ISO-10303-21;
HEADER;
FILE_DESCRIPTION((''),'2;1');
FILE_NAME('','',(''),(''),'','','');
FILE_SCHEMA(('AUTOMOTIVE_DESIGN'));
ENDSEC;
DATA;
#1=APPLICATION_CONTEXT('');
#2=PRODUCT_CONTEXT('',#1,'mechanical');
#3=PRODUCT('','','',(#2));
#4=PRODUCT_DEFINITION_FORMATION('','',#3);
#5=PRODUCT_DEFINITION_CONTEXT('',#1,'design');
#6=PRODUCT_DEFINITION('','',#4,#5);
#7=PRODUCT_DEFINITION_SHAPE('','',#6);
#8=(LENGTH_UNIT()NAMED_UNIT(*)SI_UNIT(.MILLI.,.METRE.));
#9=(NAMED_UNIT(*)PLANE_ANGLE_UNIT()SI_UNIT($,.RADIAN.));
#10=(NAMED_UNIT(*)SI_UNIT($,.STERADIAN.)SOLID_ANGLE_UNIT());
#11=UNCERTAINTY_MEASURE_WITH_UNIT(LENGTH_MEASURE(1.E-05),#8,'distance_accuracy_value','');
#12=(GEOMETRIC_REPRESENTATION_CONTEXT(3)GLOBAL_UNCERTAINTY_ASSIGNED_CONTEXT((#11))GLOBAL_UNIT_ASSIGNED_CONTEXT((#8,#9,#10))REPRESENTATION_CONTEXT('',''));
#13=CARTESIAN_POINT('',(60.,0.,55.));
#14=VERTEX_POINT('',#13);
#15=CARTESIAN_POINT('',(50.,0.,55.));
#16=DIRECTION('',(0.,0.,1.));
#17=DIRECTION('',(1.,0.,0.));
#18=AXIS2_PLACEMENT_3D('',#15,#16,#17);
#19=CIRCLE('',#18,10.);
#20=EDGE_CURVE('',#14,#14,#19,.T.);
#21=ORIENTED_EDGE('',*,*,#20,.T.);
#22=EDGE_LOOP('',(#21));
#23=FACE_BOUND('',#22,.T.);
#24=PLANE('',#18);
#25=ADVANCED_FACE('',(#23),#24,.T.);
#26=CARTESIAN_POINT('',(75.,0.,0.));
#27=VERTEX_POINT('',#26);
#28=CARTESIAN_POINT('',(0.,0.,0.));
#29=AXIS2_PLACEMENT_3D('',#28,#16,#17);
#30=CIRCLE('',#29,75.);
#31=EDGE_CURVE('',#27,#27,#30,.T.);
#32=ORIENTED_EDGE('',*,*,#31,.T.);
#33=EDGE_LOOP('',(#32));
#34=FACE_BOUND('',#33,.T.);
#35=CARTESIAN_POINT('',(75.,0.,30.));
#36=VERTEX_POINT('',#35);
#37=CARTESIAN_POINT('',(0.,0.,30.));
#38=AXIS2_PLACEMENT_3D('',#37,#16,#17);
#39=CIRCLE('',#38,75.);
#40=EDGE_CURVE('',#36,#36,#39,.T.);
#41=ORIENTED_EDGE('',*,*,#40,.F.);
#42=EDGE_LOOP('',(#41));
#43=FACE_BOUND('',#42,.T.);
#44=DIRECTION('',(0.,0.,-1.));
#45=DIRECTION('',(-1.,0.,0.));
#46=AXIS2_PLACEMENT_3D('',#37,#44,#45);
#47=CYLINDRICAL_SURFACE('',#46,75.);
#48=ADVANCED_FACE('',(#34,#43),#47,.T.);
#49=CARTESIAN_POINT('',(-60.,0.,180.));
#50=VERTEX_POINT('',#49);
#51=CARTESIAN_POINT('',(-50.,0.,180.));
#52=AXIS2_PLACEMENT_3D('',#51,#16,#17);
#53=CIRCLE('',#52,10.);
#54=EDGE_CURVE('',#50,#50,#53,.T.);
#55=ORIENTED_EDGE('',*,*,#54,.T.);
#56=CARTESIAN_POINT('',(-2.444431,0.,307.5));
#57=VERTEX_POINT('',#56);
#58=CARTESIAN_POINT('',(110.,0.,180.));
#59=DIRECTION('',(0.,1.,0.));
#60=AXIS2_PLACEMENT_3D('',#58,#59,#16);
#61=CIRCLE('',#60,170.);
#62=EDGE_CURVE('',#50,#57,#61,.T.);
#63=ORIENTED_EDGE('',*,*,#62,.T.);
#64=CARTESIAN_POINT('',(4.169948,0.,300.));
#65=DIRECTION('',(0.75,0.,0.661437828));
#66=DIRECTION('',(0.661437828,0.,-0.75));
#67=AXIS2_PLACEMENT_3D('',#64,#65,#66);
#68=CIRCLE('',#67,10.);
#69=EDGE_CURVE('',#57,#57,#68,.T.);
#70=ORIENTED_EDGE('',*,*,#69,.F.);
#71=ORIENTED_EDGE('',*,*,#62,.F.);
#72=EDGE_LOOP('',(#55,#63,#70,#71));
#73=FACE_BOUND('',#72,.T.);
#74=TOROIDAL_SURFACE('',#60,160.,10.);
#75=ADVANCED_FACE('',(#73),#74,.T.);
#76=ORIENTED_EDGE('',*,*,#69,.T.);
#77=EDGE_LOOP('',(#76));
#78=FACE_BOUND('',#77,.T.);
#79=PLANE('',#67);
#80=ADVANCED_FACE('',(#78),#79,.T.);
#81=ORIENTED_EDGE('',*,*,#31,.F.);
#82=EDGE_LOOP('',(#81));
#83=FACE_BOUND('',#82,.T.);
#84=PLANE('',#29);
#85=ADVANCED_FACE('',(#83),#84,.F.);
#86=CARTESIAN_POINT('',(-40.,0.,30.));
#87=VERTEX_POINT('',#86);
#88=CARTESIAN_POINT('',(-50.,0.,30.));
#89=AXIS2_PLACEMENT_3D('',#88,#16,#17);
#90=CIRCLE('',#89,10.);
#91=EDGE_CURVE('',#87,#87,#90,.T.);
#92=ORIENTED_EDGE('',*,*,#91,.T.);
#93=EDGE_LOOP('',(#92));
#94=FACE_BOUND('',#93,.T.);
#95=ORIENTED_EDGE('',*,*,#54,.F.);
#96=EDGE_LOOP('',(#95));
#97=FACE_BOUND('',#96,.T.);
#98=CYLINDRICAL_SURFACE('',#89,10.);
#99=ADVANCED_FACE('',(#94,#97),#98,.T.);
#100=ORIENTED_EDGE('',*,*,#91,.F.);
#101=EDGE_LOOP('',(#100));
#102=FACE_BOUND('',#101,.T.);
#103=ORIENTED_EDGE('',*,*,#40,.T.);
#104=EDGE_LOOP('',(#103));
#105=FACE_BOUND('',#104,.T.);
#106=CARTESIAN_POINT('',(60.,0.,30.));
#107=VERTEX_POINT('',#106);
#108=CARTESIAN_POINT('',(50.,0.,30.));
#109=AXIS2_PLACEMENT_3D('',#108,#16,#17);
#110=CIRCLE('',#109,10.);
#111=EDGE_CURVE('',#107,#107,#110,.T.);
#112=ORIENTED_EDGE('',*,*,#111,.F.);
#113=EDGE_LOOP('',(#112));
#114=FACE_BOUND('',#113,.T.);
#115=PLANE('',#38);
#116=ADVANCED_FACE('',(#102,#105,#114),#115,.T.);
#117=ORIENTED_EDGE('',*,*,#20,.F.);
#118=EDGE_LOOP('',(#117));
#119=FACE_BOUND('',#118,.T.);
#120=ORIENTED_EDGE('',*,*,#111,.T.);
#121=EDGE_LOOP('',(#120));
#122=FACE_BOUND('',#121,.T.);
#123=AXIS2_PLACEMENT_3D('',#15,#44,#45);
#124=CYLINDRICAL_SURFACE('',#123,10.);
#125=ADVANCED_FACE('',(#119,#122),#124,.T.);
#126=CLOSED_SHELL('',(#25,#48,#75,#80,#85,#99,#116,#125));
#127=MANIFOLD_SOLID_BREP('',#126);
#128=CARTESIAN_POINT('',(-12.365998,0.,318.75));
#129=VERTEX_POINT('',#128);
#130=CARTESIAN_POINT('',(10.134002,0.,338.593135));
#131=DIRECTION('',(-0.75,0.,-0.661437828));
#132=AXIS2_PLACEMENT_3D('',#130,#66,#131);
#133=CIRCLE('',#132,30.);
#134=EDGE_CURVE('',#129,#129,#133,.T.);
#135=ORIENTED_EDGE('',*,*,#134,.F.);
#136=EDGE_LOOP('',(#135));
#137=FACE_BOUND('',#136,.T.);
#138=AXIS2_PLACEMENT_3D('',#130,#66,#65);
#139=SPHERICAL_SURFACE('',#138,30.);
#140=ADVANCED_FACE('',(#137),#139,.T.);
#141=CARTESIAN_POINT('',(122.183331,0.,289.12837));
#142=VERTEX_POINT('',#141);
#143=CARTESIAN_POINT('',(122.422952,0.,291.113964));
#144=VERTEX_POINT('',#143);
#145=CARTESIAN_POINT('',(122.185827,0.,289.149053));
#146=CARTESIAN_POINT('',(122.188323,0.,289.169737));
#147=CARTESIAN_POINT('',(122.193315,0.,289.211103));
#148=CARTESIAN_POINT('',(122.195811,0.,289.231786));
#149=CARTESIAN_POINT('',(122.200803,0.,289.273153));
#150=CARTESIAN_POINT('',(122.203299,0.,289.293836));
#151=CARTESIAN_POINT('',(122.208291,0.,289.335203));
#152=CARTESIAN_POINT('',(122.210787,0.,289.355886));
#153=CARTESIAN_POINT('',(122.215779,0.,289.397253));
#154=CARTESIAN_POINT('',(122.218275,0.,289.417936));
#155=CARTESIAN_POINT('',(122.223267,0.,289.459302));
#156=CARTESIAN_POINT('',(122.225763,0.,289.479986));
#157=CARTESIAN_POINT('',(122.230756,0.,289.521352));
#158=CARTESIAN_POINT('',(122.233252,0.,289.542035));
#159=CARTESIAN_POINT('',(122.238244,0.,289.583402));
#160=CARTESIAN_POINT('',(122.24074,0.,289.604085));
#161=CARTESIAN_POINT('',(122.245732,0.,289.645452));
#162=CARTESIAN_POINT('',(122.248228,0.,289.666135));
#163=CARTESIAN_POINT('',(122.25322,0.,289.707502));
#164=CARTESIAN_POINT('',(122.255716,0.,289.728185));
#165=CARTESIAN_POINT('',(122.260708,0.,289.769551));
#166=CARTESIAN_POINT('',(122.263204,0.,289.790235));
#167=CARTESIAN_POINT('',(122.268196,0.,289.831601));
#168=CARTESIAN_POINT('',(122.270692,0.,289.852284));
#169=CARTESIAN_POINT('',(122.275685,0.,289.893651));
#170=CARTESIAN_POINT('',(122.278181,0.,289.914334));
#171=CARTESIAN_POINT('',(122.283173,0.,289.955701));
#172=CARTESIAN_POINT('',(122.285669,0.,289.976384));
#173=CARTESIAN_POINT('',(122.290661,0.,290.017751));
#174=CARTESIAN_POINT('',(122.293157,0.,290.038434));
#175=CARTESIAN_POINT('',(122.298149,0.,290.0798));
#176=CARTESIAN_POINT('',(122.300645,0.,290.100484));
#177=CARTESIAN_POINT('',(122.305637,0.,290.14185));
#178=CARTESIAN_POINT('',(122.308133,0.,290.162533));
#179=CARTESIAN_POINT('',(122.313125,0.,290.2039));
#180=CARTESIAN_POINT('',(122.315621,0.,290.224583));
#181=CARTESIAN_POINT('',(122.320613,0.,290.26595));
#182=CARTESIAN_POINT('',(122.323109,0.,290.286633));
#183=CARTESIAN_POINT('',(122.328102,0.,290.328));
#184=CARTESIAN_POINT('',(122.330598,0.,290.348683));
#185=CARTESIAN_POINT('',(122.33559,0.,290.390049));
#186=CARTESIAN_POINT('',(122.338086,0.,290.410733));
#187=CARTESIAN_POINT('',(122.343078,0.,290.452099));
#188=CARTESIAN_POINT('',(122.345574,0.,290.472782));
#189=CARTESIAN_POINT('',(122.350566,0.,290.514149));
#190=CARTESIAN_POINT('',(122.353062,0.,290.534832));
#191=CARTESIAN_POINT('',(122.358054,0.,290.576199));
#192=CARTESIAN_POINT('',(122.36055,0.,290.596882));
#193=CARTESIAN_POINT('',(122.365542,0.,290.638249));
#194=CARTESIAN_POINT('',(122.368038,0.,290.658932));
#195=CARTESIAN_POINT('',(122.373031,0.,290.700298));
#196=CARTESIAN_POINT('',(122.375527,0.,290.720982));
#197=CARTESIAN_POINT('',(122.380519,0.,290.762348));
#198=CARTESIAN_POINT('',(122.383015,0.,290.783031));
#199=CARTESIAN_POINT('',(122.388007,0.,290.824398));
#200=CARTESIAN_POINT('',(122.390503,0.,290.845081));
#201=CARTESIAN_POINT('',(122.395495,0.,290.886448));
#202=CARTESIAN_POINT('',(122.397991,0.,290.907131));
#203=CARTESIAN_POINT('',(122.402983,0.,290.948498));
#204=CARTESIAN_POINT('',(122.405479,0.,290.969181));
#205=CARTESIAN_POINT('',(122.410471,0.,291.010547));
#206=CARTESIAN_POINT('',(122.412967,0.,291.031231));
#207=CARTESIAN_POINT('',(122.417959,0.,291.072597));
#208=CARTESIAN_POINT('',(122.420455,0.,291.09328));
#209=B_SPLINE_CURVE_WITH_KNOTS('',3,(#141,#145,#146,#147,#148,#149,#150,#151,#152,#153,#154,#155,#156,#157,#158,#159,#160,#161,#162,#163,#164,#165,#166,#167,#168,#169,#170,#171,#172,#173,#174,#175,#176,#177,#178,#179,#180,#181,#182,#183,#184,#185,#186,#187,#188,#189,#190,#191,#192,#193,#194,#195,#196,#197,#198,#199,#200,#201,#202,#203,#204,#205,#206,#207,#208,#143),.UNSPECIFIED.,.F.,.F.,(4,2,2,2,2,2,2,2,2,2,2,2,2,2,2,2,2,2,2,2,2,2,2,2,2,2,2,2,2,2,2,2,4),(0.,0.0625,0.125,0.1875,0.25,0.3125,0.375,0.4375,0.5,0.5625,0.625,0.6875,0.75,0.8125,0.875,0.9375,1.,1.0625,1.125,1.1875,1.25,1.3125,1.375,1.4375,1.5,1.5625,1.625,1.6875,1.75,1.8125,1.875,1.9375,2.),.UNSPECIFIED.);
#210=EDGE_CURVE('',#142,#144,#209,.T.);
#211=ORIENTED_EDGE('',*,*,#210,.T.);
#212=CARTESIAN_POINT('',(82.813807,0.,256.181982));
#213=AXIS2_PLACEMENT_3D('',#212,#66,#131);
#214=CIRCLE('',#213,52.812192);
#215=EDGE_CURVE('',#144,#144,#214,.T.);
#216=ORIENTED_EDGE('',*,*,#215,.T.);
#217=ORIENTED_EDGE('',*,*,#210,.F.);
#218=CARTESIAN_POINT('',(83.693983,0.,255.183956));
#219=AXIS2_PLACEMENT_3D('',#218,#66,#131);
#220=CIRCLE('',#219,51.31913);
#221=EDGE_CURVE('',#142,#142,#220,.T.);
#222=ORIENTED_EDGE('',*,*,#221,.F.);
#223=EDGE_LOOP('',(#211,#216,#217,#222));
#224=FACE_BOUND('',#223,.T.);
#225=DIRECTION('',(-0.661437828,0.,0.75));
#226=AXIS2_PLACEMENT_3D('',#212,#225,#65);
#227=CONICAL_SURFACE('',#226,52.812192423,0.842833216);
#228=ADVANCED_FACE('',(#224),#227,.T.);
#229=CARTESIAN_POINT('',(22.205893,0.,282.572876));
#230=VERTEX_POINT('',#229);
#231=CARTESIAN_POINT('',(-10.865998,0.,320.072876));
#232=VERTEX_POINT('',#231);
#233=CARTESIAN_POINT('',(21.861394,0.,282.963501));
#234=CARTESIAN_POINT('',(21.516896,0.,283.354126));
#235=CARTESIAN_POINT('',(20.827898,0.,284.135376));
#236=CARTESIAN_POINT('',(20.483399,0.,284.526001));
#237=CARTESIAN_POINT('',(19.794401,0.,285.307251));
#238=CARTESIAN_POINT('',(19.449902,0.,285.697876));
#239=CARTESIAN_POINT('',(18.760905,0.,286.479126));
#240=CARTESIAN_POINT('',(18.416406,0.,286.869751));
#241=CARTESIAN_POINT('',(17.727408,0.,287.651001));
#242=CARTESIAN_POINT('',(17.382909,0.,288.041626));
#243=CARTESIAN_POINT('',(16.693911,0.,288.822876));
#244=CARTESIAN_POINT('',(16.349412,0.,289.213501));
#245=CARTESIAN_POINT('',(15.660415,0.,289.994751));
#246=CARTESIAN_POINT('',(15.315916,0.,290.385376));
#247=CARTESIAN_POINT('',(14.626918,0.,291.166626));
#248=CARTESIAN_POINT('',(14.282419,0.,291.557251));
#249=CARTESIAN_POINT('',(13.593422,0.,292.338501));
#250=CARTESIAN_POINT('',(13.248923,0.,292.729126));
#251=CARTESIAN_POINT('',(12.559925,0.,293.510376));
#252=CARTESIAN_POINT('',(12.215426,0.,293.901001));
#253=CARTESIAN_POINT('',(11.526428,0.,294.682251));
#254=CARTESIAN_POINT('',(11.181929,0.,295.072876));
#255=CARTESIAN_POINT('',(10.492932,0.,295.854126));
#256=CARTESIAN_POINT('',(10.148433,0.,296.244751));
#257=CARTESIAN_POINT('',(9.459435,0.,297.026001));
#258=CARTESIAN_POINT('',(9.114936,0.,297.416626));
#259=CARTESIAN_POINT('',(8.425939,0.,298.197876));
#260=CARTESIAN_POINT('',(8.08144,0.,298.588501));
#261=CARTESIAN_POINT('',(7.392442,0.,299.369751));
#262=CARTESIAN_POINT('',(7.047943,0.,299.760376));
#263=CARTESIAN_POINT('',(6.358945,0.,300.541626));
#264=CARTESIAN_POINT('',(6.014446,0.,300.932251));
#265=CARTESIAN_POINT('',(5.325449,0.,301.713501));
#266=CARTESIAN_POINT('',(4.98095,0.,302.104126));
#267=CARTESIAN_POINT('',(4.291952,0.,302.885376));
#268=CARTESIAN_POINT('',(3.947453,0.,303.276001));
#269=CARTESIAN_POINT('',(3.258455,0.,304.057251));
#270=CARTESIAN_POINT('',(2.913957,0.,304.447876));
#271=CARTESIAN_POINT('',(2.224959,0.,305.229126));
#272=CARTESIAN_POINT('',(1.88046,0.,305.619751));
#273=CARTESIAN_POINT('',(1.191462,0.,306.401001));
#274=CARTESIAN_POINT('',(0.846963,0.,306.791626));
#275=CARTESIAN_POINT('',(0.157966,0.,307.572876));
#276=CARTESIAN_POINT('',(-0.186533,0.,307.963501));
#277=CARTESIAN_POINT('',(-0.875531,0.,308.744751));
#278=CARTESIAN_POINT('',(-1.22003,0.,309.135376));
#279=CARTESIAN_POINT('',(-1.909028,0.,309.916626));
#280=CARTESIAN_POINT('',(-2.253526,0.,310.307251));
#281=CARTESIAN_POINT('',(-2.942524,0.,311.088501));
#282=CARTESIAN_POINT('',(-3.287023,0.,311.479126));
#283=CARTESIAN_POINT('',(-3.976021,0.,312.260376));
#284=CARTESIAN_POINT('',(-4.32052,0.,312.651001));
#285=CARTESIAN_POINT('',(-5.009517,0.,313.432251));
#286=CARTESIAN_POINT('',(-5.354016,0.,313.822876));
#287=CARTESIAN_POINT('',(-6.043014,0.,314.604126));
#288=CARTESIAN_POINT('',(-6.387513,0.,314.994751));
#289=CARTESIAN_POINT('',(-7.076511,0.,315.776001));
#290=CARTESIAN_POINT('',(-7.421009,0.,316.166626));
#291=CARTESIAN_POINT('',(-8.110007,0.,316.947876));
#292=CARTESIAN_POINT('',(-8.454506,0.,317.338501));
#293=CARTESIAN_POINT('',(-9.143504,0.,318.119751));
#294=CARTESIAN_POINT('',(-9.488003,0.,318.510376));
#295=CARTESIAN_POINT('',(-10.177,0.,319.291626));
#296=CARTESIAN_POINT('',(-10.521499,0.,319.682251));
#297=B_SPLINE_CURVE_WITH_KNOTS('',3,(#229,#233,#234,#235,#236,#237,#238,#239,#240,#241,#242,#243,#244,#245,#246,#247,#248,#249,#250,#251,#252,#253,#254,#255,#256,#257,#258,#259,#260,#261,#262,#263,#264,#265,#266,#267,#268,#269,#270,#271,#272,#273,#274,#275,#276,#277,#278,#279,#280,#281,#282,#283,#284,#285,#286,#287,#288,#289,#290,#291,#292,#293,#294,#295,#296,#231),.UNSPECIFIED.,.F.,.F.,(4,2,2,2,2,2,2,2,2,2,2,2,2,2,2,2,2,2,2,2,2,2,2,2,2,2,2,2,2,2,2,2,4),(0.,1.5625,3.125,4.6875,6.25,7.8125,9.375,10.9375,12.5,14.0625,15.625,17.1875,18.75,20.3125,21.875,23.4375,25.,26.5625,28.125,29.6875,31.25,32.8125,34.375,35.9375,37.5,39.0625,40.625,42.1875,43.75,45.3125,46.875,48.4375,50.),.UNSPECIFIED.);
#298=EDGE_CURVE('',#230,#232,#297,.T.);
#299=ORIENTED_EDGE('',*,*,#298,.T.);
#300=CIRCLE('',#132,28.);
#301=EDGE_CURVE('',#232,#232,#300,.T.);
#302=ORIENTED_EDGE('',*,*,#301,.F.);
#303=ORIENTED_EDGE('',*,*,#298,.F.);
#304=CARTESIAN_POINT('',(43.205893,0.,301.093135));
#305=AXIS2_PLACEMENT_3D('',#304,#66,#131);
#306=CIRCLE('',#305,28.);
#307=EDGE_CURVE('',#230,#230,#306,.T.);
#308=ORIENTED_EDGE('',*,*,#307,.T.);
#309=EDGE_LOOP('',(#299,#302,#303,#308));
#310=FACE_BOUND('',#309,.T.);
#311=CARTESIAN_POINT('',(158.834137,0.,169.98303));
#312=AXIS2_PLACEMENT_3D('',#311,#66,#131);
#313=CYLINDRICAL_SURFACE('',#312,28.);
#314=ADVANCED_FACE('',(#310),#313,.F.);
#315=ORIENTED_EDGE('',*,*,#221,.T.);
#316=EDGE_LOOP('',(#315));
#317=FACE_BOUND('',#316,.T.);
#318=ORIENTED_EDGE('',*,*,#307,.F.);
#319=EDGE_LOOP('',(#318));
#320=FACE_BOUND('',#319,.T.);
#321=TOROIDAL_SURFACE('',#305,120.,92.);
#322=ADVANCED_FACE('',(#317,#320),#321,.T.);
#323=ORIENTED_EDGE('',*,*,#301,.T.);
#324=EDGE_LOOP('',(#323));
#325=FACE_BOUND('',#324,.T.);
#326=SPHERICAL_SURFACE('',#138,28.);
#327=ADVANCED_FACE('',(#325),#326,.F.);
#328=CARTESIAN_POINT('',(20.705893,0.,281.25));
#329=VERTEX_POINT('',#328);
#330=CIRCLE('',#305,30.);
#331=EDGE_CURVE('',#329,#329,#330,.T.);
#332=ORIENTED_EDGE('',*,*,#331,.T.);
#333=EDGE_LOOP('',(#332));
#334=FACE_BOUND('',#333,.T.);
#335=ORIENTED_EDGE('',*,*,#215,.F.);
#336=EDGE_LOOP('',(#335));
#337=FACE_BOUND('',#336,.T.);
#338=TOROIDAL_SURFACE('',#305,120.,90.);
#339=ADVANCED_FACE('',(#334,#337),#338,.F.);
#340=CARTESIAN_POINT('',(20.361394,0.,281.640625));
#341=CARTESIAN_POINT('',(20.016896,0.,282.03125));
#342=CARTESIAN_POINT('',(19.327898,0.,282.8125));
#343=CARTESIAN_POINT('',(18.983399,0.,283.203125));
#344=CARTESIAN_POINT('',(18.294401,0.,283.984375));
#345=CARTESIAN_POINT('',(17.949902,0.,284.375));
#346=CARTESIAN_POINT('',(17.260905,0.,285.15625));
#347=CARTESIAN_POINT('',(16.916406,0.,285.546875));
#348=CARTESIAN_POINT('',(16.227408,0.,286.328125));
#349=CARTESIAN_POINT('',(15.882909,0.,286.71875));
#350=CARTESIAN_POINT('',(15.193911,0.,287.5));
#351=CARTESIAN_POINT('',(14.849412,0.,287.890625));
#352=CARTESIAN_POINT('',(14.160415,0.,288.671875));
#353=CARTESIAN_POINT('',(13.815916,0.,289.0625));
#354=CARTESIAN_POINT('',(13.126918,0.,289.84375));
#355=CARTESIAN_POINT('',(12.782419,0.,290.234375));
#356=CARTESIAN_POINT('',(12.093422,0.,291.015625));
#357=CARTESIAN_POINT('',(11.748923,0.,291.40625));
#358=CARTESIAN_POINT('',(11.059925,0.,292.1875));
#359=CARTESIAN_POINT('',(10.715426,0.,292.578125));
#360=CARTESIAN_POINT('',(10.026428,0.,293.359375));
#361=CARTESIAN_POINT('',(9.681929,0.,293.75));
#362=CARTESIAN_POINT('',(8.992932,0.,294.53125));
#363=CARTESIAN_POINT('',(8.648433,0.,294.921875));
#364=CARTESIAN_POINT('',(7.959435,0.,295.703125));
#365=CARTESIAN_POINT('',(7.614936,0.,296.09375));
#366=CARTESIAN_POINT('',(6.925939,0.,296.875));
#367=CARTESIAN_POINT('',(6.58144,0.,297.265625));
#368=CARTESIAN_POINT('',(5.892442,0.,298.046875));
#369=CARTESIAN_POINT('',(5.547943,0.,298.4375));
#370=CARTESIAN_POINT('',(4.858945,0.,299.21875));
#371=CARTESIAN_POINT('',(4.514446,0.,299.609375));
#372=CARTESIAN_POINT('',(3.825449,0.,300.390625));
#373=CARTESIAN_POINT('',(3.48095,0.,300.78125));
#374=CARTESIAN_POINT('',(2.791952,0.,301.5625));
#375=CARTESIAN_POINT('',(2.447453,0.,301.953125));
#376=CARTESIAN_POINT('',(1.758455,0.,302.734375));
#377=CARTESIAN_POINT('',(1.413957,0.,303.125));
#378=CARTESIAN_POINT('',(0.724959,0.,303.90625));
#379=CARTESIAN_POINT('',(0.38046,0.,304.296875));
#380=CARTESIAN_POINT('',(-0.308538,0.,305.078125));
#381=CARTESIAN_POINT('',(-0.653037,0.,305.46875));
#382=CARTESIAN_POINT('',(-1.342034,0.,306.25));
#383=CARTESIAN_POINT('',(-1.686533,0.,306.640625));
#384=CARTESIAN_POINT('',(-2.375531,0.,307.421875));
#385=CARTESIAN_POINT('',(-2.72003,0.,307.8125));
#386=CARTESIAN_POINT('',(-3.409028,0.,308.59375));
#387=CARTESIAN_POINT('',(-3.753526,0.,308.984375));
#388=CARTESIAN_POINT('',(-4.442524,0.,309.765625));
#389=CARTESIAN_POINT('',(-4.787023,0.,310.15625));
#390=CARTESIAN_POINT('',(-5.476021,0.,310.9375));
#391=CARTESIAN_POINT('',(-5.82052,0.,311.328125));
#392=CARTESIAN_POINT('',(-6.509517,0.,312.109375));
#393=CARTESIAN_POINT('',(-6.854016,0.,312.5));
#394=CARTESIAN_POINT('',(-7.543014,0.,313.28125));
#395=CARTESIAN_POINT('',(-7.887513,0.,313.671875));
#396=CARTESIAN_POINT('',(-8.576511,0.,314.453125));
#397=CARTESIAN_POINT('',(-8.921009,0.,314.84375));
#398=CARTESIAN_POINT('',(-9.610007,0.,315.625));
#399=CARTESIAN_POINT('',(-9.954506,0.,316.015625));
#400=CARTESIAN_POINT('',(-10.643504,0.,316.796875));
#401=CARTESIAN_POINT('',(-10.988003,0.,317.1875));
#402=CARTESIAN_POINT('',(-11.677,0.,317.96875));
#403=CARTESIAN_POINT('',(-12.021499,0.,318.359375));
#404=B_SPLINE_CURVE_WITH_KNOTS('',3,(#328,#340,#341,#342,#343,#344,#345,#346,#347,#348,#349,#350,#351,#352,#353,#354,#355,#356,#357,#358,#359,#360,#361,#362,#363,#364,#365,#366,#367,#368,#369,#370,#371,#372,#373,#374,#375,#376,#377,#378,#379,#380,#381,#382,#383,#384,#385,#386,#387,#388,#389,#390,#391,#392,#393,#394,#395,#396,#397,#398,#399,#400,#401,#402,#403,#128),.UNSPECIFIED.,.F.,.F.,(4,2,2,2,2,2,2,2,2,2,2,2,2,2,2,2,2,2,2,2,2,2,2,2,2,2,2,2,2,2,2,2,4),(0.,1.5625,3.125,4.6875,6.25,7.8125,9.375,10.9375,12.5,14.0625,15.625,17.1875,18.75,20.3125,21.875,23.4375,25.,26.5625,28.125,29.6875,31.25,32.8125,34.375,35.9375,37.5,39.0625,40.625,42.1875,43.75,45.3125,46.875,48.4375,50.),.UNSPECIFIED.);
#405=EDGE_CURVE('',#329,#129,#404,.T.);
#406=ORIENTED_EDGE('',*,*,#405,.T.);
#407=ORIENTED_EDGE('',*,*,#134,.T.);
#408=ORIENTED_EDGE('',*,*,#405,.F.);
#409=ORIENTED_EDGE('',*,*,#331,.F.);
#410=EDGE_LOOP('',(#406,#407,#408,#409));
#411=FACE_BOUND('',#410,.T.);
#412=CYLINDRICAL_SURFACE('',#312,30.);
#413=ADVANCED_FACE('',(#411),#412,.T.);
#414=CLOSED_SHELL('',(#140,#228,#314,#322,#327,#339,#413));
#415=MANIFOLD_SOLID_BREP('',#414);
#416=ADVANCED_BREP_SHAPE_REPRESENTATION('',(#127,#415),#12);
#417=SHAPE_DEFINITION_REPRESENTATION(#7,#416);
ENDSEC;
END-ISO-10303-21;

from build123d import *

# Parameters (mm, degrees)
SKETCH_1_R      = 75
EXTRUDE_1_DEPTH = 30
SKETCH_2_R      = 10
EXTRUDE_2_DEPTH = 25
SKETCH_3_R      = 10


with BuildPart() as part:
    # 草图1 → 凸台-拉伸1 (new body)
    with BuildSketch(Plane.XY):
        Circle(SKETCH_1_R)
    extrude(amount=EXTRUDE_1_DEPTH)

    # 草图2 → 凸台-拉伸2 (add)
    with BuildSketch(Plane.XY.offset(30)):
        with Locations((50, 0)):
            Circle(SKETCH_2_R)
    extrude(amount=EXTRUDE_2_DEPTH)

    # 扫描1: sweep along a path in 草图4
    with BuildLine(Plane(origin=(0, 0, 0), x_dir=(1, 0, 0), z_dir=(0, 1, 0))) as sweep_1_path:
        Line((-50, -30), (-50, -180))
        ThreePointArc((-50, -180), (-35.830052443, -245.830052443), (4.169947557, -300))
    # 草图3 → 扫描1 (sweep)
    with BuildSketch(Plane.XY.offset(30)):
        with Locations((-50, 0)):
            Circle(SKETCH_3_R)
    sweep(path=sweep_1_path.line)


with BuildPart() as body_2:
    # 草图5 → 旋转-薄壁7 (revolve)
    with BuildSketch(Plane(origin=(0, 0, 0), x_dir=(1, 0, 0), z_dir=(0, 1, 0))):
        with BuildLine():
            ThreePointArc((43.204662909, -221.25), (37.476087335, -253.320190263), (20.705893252, -281.25))
            Line((20.705893252, -281.25), (-12.365998137, -318.75))
            ThreePointArc((-12.365998137, -318.75), (-19.807115914, -340.471822209), (-9.70913297, -361.093134833))
            Line((-9.70913297, -361.093134833), (-8.386257314, -359.593134833))
            ThreePointArc((-8.386257314, -359.593134833), (-17.811041395, -340.346576384), (-10.865998137, -320.072875656))
            Line((-10.865998137, -320.072875656), (22.205893252, -282.572875656))
            ThreePointArc((22.205893252, -282.572875656), (39.348758315, -254.022403479), (45.204635568, -221.239542322))
            Line((45.204635568, -221.239542322), (43.204662909, -221.25))
        make_face()
    revolve(axis=Axis((158.834137133, 0, 169.983030042), (-0.6614378277661476, 0, 0.7500000000000001)))


solid = Compound([part.part, body_2.part])
